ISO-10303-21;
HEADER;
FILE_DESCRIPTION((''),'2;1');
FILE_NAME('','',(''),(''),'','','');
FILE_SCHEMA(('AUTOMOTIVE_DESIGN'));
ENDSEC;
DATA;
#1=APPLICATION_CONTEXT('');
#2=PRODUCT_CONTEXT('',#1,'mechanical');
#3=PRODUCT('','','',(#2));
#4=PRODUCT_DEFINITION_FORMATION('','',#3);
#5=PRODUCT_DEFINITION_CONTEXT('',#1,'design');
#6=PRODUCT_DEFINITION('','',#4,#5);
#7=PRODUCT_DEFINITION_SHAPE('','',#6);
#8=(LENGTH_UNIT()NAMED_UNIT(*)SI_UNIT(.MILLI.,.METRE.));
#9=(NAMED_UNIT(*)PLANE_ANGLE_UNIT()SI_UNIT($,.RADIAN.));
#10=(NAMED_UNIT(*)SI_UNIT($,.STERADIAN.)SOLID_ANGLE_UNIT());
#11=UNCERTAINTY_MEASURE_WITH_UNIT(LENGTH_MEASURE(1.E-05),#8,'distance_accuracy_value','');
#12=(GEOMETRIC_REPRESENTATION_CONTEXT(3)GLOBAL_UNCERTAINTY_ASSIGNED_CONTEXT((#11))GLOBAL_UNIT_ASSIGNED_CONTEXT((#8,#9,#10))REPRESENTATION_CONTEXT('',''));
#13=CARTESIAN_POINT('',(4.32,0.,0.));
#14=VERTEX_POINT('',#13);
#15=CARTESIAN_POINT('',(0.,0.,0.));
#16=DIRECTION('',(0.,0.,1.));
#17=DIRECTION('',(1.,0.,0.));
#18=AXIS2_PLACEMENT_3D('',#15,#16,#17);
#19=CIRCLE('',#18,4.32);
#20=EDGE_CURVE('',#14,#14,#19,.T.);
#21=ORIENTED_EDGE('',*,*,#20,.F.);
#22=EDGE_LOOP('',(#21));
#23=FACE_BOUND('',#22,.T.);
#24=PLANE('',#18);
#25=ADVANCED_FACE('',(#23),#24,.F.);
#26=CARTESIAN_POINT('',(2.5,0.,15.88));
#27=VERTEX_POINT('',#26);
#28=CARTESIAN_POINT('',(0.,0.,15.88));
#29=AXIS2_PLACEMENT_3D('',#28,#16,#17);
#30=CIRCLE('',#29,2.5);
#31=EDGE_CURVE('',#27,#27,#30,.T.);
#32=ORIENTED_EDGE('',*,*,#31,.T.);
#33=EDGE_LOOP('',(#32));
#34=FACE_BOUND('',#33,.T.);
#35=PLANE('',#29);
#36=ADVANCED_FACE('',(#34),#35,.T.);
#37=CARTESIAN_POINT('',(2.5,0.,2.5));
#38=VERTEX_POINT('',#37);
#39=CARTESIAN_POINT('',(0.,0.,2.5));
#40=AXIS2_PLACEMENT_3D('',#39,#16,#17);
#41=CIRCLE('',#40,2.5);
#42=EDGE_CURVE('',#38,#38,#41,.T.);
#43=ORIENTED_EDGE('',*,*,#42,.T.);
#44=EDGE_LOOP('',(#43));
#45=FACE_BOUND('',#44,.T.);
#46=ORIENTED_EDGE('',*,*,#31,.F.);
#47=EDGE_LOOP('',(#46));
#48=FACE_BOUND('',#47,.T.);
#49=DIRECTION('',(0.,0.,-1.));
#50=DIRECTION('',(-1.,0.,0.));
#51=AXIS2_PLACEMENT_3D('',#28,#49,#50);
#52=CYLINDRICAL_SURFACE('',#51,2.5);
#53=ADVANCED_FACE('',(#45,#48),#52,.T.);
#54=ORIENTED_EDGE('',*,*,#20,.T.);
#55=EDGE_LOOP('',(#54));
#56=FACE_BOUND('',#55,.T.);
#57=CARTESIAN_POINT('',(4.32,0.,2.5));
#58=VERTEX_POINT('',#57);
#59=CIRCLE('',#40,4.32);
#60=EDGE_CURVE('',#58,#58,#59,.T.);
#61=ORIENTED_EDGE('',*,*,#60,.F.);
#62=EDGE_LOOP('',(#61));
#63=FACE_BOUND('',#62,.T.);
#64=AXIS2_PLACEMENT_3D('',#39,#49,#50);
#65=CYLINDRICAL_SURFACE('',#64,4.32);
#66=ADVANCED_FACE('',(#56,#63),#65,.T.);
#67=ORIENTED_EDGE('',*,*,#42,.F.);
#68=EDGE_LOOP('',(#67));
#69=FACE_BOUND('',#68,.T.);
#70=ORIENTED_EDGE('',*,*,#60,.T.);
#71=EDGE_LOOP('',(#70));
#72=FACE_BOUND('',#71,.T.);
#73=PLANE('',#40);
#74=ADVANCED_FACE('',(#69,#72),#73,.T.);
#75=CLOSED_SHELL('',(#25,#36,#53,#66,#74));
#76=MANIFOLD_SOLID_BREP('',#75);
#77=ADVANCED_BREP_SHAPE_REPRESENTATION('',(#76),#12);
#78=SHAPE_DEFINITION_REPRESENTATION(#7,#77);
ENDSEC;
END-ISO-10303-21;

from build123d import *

# Parameters (mm, degrees)
SKETCH1_R   = 4.32
HEAD_DEPTH  = 2.5
SKETCH2_R   = 2.5
SHANK_DEPTH = 13.38


with BuildPart() as part:
    # Sketch1 → Head (new body)
    with BuildSketch(Plane.XY):
        Circle(SKETCH1_R)
    extrude(amount=HEAD_DEPTH)

    # Sketch2 → Shank (add)
    with BuildSketch(Plane.XY.offset(2.5)):
        Circle(SKETCH2_R)
    extrude(amount=SHANK_DEPTH)


solid = part.part
